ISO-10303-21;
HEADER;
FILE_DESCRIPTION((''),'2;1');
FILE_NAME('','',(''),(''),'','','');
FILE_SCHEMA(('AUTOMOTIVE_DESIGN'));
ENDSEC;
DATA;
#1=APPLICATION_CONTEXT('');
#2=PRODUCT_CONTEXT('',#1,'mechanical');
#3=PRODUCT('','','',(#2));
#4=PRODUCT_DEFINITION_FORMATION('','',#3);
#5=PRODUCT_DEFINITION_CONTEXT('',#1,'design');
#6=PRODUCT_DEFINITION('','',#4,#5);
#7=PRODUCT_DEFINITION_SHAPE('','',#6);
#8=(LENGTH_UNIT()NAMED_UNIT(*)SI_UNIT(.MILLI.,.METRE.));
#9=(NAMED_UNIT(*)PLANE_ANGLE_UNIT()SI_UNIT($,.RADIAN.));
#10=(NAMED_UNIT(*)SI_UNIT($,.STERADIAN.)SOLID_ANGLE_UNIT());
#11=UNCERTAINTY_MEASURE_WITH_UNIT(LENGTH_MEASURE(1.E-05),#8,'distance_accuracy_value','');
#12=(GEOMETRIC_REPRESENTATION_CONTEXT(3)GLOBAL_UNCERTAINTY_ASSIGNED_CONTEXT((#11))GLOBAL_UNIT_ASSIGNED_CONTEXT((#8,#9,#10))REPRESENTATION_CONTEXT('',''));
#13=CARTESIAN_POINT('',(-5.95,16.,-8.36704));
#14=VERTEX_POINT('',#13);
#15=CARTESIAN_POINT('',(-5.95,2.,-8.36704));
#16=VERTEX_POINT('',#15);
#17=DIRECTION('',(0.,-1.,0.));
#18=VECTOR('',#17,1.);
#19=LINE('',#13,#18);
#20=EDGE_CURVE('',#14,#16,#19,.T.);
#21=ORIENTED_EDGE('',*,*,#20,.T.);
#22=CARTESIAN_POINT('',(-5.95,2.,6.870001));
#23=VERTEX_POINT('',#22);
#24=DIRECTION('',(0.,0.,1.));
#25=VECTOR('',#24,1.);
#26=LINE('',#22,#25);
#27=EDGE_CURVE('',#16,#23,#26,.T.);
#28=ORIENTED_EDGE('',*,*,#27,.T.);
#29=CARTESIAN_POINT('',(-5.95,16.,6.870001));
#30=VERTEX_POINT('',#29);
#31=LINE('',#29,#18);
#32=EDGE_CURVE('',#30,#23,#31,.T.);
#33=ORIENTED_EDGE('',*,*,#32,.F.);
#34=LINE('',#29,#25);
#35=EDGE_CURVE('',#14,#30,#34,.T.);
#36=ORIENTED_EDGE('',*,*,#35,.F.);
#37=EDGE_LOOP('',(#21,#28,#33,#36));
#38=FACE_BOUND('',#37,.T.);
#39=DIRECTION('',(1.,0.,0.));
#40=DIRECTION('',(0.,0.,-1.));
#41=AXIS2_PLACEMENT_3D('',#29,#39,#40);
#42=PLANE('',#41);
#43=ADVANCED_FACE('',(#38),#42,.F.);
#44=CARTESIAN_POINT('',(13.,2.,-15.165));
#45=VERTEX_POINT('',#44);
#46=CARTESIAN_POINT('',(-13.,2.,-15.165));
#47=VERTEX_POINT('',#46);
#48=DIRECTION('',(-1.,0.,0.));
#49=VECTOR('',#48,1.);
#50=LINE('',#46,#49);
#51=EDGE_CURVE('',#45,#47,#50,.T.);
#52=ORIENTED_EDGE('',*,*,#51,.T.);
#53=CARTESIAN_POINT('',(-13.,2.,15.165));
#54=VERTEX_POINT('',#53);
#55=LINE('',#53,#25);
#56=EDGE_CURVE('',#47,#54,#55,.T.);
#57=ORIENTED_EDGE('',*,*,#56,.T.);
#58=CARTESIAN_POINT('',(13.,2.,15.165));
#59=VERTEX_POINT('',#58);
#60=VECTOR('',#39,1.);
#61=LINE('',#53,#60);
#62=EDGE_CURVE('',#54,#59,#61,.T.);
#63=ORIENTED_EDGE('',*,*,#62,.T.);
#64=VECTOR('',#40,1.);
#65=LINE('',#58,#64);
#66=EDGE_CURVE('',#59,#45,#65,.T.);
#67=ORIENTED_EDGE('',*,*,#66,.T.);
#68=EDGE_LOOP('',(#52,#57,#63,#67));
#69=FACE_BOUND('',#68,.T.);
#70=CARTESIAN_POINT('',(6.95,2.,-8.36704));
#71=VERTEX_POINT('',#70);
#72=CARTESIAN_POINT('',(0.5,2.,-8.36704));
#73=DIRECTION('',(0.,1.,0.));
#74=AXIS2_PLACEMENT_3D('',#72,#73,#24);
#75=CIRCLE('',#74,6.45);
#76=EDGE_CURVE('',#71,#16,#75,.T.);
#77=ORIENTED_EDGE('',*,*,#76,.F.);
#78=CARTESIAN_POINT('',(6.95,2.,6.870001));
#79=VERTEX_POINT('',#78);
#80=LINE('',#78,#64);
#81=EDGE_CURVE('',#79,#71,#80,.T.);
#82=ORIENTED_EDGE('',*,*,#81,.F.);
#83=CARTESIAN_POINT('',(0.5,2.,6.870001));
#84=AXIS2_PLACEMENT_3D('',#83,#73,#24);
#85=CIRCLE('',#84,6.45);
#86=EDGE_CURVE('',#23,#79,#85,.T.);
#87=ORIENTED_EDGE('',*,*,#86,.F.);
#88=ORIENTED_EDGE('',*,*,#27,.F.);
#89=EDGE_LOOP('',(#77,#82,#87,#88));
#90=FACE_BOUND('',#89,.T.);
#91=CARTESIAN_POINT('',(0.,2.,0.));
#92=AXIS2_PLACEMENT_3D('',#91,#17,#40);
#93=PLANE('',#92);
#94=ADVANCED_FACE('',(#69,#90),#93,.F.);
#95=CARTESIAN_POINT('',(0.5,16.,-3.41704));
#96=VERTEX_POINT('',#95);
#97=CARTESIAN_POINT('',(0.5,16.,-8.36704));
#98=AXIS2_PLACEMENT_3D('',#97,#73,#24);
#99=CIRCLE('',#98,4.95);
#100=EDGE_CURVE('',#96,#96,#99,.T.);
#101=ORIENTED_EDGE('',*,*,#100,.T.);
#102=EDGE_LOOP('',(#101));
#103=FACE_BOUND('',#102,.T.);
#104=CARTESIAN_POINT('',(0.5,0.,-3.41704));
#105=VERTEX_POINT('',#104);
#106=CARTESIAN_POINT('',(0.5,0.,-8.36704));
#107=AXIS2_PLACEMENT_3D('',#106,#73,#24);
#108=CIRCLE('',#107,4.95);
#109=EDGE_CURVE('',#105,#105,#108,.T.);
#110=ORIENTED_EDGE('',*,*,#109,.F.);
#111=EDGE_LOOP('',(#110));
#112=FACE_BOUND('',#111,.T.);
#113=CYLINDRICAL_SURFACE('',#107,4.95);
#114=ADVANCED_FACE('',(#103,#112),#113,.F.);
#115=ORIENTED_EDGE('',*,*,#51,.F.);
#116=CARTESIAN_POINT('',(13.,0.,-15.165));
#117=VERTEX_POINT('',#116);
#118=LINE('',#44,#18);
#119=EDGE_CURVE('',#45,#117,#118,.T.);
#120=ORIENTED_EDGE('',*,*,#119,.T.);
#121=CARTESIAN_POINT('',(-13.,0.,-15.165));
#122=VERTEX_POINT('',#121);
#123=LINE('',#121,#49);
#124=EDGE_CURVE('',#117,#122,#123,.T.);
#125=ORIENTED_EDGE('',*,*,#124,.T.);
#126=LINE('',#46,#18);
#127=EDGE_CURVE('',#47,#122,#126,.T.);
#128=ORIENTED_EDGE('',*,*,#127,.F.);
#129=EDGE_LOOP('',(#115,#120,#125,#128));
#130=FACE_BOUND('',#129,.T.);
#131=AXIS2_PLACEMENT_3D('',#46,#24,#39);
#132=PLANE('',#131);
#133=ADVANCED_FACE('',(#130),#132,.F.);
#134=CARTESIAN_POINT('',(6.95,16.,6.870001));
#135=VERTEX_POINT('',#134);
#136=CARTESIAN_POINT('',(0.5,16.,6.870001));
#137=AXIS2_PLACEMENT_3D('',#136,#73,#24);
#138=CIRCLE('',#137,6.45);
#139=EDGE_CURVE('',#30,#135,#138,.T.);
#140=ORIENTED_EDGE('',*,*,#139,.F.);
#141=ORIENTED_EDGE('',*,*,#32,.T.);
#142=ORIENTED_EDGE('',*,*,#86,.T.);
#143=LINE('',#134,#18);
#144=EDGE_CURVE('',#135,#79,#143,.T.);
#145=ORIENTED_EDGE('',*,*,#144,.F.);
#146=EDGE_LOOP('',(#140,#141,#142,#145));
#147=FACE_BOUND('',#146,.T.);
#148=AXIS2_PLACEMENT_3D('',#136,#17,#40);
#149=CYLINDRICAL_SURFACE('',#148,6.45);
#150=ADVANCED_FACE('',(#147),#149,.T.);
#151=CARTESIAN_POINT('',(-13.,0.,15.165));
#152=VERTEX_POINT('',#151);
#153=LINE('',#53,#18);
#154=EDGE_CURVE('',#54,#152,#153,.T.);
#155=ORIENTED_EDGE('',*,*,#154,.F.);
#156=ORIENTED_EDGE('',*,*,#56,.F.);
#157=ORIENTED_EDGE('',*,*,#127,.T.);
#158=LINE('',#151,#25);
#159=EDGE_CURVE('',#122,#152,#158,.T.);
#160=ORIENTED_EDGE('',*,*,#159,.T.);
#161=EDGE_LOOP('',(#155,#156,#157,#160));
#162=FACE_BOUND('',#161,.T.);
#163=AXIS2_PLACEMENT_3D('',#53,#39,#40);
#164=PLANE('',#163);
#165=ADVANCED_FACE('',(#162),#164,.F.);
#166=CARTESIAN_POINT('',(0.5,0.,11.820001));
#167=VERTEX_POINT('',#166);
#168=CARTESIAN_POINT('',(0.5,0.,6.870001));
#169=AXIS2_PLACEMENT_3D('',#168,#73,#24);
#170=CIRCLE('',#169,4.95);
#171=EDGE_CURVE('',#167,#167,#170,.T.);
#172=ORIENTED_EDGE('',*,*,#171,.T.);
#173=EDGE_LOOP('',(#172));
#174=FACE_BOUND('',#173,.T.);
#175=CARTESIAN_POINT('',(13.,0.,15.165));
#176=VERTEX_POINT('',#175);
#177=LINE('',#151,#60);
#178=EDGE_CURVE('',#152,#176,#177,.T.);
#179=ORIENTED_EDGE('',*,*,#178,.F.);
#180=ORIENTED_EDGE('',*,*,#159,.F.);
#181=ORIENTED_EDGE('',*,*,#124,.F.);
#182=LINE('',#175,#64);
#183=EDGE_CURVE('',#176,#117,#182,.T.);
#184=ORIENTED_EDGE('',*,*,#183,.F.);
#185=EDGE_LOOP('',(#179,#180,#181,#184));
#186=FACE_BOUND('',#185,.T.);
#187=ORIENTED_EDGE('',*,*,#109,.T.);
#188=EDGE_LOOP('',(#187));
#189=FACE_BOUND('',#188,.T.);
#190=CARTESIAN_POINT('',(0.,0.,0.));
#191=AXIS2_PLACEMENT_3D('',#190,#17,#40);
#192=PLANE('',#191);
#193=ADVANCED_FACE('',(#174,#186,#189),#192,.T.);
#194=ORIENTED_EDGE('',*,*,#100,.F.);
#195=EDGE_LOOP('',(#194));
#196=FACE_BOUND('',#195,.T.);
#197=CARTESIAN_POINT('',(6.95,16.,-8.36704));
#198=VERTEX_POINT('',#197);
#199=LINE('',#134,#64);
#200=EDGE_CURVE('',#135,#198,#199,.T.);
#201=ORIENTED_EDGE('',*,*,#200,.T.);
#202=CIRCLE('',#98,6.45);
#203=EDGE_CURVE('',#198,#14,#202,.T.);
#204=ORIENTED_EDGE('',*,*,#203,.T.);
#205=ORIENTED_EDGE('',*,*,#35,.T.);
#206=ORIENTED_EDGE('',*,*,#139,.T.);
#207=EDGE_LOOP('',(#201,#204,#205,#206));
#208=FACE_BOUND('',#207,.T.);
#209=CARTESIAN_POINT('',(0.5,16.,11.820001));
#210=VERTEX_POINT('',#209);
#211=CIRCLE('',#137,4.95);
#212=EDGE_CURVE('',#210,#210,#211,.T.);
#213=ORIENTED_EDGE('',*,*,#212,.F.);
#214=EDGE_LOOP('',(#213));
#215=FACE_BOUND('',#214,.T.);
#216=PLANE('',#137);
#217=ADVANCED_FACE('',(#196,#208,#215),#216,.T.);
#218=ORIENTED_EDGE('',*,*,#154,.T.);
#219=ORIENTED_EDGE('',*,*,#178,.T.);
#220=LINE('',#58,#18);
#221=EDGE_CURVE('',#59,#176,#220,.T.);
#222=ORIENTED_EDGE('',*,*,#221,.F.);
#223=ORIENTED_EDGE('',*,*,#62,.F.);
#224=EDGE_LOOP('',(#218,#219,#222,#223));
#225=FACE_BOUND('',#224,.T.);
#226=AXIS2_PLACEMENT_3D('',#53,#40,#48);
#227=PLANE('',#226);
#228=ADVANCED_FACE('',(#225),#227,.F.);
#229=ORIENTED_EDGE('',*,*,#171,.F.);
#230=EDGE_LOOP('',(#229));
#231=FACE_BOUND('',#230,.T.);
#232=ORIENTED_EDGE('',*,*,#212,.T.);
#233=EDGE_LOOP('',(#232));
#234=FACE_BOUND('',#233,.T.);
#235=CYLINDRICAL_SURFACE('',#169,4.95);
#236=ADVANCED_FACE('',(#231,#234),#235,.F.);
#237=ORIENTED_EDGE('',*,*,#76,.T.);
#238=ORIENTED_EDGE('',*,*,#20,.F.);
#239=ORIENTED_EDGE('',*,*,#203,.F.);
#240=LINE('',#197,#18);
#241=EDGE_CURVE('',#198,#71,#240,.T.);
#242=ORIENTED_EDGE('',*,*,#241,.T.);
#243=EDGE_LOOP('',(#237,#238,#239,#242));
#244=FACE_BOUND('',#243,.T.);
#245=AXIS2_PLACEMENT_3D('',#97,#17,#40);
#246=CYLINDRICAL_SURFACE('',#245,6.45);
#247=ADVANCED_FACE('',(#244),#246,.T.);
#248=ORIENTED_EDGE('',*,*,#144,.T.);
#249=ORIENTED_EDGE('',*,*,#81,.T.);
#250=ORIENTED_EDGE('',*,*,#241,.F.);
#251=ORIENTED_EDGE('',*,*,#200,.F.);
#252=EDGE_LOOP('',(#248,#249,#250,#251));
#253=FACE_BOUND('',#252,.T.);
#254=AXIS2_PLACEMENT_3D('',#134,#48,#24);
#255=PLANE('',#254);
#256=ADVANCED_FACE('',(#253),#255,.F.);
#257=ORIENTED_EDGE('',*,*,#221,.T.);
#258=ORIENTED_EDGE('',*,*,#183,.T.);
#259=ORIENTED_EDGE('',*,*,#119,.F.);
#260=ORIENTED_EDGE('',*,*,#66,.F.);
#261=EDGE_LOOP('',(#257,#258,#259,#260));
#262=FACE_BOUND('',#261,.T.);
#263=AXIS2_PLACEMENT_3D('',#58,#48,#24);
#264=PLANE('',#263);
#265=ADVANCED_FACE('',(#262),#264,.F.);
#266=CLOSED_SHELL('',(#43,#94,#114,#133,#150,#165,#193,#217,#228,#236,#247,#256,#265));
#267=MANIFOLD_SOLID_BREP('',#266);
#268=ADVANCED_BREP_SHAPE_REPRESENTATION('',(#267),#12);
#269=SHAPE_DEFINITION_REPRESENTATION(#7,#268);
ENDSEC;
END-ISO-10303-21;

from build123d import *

# Parameters (mm, degrees)
SKETCH_1_W          = 26
SKETCH_1_H          = 30.33
EXTRUDE_1_DEPTH     = 2
SKETCH_2_R          = 4.95
CUT_EXTRUDE_1_DEPTH = 21.07429264
EXTRUDE_START       = 14
SKETCH_3_R          = 4.95
EXTRUDE_2_DEPTH     = 14


with BuildPart() as part:
    # Эскиз1 → Бобышка-Вытянуть1 (new body)
    with BuildSketch(Plane(origin=(0, 0, 0), x_dir=(1, 0, 0), z_dir=(0, 1, 0))):
        Rectangle(SKETCH_1_W, SKETCH_1_H)
    extrude(amount=EXTRUDE_1_DEPTH)

    # Эскиз2 → Вырез-Вытянуть1 (cut, through all)
    with BuildSketch(Plane(origin=(0, 2, 0), x_dir=(1, 0, 0), z_dir=(0, 1, 0))):
        with Locations(Location((0.5, -6.870000865, 0), (0, 0, 270))):
            Circle(SKETCH_2_R)
        with Locations(Location((0.5, 8.367040316, 0), (0, 0, 270))):
            Circle(SKETCH_2_R)
    extrude(amount=-CUT_EXTRUDE_1_DEPTH, mode=Mode.SUBTRACT)

    # Эскиз3 → Бобышка-Вытянуть2 (add)
    with BuildSketch(Plane(origin=(0, 2, 0), x_dir=(1, 0, 0), z_dir=(0, 1, 0)).offset(EXTRUDE_START)):
        with BuildLine():
            Line((-5.95, -6.870000865), (-5.95, 8.367040316))
            ThreePointArc((-5.95, 8.367040316), (0.5, 14.817040316), (6.95, 8.367040316))
            Line((6.95, 8.367040316), (6.95, -6.870000865))
            ThreePointArc((6.95, -6.870000865), (0.5, -13.320000865), (-5.95, -6.870000865))
        make_face()
        with Locations(Location((0.5, -6.870000865, 0), (0, 0, 270))):
            Circle(SKETCH_3_R, mode=Mode.SUBTRACT)
        with Locations(Location((0.5, 8.367040316, 0), (0, 0, 270))):
            Circle(SKETCH_3_R, mode=Mode.SUBTRACT)
    extrude(amount=-EXTRUDE_2_DEPTH)


solid = part.part
